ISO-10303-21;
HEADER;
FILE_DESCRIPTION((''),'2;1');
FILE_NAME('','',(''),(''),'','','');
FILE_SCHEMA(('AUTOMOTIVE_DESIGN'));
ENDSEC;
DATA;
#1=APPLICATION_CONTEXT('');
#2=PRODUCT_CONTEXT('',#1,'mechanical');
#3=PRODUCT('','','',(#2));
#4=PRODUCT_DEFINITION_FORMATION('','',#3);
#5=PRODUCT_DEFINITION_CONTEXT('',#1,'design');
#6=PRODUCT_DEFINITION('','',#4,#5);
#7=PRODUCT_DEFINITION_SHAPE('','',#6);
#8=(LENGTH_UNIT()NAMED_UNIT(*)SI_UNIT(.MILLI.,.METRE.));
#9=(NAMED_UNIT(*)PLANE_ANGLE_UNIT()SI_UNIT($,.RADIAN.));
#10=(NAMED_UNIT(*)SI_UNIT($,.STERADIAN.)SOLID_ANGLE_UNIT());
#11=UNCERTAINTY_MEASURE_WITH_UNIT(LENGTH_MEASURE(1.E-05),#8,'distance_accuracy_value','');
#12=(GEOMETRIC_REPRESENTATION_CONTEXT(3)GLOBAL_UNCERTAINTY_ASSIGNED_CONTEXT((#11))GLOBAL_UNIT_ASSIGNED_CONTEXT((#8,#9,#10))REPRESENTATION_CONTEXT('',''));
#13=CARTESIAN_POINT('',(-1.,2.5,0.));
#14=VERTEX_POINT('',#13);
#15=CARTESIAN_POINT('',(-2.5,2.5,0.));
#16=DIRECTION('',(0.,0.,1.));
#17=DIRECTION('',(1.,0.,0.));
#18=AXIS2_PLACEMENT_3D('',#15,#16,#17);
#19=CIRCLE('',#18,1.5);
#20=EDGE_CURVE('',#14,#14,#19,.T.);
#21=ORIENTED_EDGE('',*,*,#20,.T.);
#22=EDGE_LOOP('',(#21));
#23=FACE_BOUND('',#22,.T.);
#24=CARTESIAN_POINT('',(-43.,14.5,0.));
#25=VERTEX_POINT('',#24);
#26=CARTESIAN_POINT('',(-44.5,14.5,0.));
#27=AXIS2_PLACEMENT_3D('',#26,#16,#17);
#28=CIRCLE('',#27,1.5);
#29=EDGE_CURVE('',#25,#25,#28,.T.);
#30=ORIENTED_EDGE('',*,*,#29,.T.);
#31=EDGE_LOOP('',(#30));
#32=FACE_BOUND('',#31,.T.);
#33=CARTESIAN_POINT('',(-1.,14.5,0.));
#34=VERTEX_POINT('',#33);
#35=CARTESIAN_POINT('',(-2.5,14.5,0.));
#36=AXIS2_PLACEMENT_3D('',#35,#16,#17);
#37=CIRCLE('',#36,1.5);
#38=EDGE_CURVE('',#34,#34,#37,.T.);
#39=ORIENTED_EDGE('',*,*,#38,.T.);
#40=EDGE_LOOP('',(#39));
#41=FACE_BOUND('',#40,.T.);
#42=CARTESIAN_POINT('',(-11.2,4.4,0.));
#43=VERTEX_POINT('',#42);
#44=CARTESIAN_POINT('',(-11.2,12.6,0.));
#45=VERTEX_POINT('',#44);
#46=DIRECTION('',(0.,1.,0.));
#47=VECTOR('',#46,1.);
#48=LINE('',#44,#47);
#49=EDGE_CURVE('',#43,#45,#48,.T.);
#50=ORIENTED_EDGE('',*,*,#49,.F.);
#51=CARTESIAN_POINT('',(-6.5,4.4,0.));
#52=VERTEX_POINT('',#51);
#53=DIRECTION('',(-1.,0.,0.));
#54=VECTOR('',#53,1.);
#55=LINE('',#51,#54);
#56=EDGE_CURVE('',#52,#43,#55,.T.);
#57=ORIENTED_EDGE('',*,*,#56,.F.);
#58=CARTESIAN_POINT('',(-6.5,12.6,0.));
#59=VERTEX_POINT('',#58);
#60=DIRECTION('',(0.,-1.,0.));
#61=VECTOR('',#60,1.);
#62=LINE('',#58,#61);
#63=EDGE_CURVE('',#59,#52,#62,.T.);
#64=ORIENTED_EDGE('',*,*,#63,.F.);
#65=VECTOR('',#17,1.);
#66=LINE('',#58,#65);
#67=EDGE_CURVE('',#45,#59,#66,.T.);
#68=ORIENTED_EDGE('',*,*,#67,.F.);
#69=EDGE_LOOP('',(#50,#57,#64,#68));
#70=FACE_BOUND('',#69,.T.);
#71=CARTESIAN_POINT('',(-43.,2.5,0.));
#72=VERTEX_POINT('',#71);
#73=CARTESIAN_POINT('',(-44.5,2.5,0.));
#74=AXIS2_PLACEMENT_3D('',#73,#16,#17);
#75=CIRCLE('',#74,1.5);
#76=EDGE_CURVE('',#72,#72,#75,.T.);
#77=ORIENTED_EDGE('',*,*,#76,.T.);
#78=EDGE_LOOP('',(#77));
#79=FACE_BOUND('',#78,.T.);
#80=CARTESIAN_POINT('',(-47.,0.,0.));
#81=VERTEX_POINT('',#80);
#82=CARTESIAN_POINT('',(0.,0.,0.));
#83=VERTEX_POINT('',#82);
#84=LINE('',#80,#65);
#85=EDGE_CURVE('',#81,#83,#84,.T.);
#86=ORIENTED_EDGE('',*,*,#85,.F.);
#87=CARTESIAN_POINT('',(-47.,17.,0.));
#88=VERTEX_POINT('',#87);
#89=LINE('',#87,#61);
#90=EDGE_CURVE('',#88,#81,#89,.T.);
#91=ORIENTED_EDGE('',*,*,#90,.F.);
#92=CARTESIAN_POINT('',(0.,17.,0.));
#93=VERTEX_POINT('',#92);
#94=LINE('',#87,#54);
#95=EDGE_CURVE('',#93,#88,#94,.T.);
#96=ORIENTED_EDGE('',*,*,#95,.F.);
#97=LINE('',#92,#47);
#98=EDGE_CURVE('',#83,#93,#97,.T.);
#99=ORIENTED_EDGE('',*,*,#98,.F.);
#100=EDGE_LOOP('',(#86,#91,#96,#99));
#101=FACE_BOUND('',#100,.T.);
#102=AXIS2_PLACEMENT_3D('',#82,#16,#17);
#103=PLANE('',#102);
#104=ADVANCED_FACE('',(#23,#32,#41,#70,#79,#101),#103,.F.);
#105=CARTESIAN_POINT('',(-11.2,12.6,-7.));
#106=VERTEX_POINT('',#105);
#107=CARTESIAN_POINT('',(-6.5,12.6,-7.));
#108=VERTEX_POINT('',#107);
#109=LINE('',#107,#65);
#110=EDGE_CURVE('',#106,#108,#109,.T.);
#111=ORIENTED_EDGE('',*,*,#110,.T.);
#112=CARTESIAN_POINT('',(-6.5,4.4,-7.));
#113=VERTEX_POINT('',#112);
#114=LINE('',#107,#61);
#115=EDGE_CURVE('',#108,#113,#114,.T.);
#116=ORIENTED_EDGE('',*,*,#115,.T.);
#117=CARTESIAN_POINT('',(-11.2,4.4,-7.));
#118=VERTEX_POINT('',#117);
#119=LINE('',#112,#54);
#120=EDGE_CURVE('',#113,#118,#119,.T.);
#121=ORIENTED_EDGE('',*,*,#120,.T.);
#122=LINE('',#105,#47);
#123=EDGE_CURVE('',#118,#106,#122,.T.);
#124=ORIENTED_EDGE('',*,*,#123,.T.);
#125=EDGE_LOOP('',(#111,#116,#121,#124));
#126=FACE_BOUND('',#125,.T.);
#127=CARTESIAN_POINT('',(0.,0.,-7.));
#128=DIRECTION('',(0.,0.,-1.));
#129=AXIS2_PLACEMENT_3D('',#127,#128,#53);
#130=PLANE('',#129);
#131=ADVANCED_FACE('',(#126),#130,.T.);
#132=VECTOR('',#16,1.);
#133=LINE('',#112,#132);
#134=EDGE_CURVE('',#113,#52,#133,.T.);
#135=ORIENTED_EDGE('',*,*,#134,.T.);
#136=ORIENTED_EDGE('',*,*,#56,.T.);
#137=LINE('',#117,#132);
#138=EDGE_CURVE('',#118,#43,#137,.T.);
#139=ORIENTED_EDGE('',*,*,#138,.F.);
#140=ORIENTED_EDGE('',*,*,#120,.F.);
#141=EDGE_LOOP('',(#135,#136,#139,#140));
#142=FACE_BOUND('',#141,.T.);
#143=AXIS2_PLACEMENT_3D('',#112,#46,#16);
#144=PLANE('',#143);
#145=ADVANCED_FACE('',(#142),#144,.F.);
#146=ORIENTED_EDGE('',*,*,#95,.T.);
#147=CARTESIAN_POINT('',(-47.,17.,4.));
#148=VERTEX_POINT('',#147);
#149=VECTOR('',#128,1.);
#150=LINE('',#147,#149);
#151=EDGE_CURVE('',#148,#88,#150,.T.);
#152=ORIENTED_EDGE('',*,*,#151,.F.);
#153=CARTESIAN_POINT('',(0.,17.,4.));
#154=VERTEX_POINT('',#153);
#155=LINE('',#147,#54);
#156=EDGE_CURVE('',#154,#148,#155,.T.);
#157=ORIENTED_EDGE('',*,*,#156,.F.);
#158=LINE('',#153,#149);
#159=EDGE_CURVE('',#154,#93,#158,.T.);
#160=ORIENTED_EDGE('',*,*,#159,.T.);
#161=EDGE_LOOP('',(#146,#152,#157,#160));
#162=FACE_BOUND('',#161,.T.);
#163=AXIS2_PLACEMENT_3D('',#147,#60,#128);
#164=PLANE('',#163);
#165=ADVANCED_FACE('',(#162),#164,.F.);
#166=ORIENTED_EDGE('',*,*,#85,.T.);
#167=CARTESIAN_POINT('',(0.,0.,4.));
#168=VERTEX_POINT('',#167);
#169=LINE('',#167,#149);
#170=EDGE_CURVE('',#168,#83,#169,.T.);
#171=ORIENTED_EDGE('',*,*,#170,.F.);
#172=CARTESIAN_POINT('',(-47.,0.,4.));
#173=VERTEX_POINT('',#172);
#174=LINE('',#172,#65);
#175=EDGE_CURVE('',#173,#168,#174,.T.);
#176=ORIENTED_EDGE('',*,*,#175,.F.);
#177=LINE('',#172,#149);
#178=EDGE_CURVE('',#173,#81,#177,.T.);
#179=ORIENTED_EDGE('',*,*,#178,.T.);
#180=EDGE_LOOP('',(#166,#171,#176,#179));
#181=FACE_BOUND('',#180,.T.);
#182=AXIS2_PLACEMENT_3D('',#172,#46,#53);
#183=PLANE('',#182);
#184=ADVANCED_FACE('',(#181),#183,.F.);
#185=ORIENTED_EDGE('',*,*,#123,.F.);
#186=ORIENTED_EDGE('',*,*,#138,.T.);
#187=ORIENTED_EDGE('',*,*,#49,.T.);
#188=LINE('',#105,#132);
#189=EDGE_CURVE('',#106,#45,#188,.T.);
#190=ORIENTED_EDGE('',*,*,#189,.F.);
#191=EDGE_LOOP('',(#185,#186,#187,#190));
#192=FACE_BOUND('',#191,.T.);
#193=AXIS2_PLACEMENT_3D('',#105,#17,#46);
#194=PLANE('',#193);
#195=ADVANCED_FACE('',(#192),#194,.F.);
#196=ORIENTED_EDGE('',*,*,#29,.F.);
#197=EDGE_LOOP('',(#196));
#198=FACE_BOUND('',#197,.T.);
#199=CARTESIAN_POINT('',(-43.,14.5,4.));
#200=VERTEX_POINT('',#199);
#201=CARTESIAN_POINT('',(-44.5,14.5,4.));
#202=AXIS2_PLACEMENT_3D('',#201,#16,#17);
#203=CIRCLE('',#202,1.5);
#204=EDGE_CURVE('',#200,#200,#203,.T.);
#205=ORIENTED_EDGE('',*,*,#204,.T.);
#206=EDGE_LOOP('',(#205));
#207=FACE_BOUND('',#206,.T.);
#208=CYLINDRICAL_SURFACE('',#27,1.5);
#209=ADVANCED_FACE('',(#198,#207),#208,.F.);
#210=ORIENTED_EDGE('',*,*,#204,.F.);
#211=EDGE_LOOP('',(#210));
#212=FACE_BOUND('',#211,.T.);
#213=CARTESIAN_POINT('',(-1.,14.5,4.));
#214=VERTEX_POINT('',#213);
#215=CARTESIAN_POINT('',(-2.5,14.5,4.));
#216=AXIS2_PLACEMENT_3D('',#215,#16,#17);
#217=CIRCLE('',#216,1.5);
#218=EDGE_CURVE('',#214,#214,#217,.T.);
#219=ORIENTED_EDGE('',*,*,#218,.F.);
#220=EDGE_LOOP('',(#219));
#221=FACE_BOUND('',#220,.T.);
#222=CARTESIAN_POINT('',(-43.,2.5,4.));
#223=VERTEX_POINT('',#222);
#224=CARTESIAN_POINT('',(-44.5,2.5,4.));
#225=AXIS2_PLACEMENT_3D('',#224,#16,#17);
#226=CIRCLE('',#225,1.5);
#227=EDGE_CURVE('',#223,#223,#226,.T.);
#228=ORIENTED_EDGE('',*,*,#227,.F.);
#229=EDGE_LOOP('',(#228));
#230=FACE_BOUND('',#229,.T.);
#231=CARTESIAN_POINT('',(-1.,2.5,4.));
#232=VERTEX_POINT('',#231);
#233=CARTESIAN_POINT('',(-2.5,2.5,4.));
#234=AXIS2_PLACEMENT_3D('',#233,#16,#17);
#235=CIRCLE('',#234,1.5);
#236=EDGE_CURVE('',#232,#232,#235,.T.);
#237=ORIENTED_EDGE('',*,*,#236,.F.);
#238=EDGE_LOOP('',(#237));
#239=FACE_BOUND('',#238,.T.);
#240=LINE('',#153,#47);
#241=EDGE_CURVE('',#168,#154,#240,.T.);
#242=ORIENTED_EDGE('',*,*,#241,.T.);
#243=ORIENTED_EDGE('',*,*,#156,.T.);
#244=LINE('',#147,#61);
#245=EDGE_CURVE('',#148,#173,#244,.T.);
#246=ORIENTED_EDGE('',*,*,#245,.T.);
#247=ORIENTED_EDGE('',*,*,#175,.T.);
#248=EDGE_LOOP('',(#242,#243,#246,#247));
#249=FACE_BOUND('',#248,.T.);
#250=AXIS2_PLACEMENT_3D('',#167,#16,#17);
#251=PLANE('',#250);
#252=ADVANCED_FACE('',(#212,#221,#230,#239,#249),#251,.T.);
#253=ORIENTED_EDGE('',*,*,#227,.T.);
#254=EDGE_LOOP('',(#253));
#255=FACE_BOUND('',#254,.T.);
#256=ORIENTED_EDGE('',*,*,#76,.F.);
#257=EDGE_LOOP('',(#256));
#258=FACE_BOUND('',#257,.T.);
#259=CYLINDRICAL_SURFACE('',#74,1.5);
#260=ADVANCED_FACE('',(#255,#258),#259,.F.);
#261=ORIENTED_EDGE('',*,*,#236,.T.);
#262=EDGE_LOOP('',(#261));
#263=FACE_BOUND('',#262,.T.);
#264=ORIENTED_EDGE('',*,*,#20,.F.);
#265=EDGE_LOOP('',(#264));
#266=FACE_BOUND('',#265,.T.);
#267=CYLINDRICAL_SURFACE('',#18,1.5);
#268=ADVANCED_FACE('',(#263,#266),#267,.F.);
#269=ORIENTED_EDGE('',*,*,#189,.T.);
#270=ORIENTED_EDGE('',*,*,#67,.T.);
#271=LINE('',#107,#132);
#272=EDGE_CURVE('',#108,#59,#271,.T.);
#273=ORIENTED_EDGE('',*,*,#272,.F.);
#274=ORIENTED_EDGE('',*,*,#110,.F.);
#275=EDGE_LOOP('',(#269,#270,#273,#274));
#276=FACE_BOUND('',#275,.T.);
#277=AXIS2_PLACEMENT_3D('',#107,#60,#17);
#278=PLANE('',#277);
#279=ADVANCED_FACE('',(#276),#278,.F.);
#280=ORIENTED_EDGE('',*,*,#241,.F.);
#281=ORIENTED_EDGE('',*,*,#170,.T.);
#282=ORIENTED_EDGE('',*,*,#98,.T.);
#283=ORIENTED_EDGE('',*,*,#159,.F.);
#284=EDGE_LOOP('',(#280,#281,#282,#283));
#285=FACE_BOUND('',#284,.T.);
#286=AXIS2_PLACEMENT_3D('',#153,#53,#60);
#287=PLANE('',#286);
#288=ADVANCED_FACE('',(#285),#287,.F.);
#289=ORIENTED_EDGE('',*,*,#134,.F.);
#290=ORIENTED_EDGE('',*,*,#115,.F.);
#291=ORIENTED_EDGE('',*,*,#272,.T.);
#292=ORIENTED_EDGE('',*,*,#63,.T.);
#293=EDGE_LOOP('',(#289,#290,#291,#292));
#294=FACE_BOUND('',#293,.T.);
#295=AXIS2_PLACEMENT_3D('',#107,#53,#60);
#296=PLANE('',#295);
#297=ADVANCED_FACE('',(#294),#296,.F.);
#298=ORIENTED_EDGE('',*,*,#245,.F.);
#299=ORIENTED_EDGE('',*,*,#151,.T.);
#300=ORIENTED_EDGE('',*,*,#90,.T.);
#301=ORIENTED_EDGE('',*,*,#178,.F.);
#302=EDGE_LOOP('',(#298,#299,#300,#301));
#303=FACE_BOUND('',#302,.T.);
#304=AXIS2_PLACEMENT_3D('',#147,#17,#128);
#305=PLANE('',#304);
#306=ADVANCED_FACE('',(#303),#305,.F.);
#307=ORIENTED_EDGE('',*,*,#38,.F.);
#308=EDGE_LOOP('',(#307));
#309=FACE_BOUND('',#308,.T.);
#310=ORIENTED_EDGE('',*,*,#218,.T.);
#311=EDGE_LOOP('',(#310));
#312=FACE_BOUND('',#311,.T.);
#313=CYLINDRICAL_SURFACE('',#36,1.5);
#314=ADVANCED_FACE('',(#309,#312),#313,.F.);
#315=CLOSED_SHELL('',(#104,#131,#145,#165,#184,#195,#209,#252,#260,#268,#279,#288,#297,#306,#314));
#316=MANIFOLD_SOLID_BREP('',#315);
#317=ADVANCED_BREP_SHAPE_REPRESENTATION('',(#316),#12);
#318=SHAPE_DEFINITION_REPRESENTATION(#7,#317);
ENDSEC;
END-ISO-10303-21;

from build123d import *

# Parameters (mm, degrees)
CROQUIS1_W              = 47
CROQUIS1_H              = 17
SALIENTE_EXTRUIR1_DEPTH = 4
CROQUIS2_R              = 1.5
CORTAR_EXTRUIR1_DEPTH   = 51.139804547
CROQUIS3_W              = 4.7
CROQUIS3_H              = 8.2
SALIENTE_EXTRUIR2_DEPTH = 7


with BuildPart() as part:
    # Croquis1 → Saliente-Extruir1 (new body)
    with BuildSketch(Plane.XY):
        with Locations((-23.5, 8.5)):
            Rectangle(CROQUIS1_W, CROQUIS1_H)
    extrude(amount=SALIENTE_EXTRUIR1_DEPTH)

    # Croquis2 → Cortar-Extruir1 (cut, through all)
    with BuildSketch(Plane.XY.offset(4)):
        with Locations((-2.5, 14.5)):
            Circle(CROQUIS2_R)
        with Locations((-2.5, 2.5)):
            Circle(CROQUIS2_R)
        with Locations((-44.5, 14.5)):
            Circle(CROQUIS2_R)
        with Locations((-44.5, 2.5)):
            Circle(CROQUIS2_R)
    extrude(amount=-CORTAR_EXTRUIR1_DEPTH, mode=Mode.SUBTRACT)

    # Croquis3 → Saliente-Extruir2 (add)
    with BuildSketch(Plane(origin=(0, 0, 0), x_dir=(-1, 0, 0), z_dir=(0, 0, -1))):
        with Locations((8.85, 8.5)):
            Rectangle(CROQUIS3_W, CROQUIS3_H)
    extrude(amount=SALIENTE_EXTRUIR2_DEPTH)


solid = part.part
